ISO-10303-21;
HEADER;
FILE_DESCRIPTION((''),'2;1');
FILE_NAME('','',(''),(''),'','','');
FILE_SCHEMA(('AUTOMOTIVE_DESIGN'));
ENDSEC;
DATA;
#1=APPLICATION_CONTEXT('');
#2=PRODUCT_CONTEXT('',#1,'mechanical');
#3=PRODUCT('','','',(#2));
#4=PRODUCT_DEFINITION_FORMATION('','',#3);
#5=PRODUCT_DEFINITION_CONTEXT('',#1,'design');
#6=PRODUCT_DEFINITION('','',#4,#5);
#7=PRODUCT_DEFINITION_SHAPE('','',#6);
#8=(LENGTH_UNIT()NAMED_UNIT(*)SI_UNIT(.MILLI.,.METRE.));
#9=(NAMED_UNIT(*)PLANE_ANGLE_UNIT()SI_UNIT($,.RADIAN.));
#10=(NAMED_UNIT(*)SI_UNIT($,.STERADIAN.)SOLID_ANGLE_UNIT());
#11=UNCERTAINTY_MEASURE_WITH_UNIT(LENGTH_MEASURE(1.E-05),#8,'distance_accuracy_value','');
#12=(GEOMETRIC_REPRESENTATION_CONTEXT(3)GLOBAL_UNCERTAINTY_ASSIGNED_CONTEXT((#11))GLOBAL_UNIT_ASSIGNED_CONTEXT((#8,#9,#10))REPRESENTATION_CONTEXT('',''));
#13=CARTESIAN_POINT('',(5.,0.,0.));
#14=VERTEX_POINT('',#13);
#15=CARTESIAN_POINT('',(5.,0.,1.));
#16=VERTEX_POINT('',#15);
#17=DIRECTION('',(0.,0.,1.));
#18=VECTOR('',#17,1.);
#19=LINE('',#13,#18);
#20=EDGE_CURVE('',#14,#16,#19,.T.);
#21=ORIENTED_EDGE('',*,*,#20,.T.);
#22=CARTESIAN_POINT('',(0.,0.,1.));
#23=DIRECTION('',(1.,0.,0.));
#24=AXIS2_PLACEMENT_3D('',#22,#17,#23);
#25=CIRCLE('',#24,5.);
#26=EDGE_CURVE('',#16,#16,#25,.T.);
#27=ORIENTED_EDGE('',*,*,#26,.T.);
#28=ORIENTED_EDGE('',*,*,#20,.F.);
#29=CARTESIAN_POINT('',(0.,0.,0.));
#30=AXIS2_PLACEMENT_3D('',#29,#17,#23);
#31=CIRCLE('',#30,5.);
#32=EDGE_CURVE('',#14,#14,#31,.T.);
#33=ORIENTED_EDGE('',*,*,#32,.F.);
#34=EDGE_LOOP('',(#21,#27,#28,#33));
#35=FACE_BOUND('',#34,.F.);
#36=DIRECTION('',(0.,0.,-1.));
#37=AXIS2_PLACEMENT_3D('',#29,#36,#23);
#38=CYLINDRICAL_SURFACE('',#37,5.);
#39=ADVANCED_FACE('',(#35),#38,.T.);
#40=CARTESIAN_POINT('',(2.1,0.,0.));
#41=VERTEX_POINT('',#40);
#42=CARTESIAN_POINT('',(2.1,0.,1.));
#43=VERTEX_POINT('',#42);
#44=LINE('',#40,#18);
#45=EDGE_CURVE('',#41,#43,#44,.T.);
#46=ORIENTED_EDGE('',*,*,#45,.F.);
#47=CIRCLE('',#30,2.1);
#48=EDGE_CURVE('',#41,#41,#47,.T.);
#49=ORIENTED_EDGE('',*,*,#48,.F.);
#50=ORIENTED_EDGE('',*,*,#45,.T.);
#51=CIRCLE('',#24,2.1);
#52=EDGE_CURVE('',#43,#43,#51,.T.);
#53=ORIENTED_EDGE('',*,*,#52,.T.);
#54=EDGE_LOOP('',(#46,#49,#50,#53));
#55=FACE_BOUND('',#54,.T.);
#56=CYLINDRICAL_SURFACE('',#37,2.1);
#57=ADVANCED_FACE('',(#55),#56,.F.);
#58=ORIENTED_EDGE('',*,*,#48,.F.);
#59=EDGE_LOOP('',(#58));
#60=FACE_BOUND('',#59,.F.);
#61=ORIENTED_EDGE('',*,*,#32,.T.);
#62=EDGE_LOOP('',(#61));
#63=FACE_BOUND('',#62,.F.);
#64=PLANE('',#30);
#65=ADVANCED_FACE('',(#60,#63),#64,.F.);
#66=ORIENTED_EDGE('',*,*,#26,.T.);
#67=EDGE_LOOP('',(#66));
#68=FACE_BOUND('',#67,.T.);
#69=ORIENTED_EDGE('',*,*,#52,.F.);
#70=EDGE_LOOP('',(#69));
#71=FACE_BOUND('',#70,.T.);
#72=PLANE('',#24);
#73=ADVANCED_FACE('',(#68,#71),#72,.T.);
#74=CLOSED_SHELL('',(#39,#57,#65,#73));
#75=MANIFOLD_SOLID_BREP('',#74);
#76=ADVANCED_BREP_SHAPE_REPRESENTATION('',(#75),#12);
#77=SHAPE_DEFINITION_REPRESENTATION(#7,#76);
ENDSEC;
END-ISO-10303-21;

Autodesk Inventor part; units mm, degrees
ref_plane "YZ Plane" through (0, 0, 0) normal (1, 0, 0) x (0, 1, 0)
ref_plane "XZ Plane" through (0, 0, 0) normal (0, 1, 0) x (-1, 0, 0)
ref_plane "XY Plane" through (0, 0, 0) normal (0, 0, 1) x (1, 0, 0)
sketch "スケッチ1" plane through (0, 0, 0) normal (0, 0, 1) x (1, 0, 0)
  circle A0 centre (0, 0) radius 5
  circle A1 centre (0, 0) radius 2.1
  dimension "d0" = 10
  dimension "d1" = 4.2
extrude "押し出し1" add sketch "スケッチ1" along normal blind 1
properties part number "チタンワッシャー　4.2-10-1" material "チタン"
